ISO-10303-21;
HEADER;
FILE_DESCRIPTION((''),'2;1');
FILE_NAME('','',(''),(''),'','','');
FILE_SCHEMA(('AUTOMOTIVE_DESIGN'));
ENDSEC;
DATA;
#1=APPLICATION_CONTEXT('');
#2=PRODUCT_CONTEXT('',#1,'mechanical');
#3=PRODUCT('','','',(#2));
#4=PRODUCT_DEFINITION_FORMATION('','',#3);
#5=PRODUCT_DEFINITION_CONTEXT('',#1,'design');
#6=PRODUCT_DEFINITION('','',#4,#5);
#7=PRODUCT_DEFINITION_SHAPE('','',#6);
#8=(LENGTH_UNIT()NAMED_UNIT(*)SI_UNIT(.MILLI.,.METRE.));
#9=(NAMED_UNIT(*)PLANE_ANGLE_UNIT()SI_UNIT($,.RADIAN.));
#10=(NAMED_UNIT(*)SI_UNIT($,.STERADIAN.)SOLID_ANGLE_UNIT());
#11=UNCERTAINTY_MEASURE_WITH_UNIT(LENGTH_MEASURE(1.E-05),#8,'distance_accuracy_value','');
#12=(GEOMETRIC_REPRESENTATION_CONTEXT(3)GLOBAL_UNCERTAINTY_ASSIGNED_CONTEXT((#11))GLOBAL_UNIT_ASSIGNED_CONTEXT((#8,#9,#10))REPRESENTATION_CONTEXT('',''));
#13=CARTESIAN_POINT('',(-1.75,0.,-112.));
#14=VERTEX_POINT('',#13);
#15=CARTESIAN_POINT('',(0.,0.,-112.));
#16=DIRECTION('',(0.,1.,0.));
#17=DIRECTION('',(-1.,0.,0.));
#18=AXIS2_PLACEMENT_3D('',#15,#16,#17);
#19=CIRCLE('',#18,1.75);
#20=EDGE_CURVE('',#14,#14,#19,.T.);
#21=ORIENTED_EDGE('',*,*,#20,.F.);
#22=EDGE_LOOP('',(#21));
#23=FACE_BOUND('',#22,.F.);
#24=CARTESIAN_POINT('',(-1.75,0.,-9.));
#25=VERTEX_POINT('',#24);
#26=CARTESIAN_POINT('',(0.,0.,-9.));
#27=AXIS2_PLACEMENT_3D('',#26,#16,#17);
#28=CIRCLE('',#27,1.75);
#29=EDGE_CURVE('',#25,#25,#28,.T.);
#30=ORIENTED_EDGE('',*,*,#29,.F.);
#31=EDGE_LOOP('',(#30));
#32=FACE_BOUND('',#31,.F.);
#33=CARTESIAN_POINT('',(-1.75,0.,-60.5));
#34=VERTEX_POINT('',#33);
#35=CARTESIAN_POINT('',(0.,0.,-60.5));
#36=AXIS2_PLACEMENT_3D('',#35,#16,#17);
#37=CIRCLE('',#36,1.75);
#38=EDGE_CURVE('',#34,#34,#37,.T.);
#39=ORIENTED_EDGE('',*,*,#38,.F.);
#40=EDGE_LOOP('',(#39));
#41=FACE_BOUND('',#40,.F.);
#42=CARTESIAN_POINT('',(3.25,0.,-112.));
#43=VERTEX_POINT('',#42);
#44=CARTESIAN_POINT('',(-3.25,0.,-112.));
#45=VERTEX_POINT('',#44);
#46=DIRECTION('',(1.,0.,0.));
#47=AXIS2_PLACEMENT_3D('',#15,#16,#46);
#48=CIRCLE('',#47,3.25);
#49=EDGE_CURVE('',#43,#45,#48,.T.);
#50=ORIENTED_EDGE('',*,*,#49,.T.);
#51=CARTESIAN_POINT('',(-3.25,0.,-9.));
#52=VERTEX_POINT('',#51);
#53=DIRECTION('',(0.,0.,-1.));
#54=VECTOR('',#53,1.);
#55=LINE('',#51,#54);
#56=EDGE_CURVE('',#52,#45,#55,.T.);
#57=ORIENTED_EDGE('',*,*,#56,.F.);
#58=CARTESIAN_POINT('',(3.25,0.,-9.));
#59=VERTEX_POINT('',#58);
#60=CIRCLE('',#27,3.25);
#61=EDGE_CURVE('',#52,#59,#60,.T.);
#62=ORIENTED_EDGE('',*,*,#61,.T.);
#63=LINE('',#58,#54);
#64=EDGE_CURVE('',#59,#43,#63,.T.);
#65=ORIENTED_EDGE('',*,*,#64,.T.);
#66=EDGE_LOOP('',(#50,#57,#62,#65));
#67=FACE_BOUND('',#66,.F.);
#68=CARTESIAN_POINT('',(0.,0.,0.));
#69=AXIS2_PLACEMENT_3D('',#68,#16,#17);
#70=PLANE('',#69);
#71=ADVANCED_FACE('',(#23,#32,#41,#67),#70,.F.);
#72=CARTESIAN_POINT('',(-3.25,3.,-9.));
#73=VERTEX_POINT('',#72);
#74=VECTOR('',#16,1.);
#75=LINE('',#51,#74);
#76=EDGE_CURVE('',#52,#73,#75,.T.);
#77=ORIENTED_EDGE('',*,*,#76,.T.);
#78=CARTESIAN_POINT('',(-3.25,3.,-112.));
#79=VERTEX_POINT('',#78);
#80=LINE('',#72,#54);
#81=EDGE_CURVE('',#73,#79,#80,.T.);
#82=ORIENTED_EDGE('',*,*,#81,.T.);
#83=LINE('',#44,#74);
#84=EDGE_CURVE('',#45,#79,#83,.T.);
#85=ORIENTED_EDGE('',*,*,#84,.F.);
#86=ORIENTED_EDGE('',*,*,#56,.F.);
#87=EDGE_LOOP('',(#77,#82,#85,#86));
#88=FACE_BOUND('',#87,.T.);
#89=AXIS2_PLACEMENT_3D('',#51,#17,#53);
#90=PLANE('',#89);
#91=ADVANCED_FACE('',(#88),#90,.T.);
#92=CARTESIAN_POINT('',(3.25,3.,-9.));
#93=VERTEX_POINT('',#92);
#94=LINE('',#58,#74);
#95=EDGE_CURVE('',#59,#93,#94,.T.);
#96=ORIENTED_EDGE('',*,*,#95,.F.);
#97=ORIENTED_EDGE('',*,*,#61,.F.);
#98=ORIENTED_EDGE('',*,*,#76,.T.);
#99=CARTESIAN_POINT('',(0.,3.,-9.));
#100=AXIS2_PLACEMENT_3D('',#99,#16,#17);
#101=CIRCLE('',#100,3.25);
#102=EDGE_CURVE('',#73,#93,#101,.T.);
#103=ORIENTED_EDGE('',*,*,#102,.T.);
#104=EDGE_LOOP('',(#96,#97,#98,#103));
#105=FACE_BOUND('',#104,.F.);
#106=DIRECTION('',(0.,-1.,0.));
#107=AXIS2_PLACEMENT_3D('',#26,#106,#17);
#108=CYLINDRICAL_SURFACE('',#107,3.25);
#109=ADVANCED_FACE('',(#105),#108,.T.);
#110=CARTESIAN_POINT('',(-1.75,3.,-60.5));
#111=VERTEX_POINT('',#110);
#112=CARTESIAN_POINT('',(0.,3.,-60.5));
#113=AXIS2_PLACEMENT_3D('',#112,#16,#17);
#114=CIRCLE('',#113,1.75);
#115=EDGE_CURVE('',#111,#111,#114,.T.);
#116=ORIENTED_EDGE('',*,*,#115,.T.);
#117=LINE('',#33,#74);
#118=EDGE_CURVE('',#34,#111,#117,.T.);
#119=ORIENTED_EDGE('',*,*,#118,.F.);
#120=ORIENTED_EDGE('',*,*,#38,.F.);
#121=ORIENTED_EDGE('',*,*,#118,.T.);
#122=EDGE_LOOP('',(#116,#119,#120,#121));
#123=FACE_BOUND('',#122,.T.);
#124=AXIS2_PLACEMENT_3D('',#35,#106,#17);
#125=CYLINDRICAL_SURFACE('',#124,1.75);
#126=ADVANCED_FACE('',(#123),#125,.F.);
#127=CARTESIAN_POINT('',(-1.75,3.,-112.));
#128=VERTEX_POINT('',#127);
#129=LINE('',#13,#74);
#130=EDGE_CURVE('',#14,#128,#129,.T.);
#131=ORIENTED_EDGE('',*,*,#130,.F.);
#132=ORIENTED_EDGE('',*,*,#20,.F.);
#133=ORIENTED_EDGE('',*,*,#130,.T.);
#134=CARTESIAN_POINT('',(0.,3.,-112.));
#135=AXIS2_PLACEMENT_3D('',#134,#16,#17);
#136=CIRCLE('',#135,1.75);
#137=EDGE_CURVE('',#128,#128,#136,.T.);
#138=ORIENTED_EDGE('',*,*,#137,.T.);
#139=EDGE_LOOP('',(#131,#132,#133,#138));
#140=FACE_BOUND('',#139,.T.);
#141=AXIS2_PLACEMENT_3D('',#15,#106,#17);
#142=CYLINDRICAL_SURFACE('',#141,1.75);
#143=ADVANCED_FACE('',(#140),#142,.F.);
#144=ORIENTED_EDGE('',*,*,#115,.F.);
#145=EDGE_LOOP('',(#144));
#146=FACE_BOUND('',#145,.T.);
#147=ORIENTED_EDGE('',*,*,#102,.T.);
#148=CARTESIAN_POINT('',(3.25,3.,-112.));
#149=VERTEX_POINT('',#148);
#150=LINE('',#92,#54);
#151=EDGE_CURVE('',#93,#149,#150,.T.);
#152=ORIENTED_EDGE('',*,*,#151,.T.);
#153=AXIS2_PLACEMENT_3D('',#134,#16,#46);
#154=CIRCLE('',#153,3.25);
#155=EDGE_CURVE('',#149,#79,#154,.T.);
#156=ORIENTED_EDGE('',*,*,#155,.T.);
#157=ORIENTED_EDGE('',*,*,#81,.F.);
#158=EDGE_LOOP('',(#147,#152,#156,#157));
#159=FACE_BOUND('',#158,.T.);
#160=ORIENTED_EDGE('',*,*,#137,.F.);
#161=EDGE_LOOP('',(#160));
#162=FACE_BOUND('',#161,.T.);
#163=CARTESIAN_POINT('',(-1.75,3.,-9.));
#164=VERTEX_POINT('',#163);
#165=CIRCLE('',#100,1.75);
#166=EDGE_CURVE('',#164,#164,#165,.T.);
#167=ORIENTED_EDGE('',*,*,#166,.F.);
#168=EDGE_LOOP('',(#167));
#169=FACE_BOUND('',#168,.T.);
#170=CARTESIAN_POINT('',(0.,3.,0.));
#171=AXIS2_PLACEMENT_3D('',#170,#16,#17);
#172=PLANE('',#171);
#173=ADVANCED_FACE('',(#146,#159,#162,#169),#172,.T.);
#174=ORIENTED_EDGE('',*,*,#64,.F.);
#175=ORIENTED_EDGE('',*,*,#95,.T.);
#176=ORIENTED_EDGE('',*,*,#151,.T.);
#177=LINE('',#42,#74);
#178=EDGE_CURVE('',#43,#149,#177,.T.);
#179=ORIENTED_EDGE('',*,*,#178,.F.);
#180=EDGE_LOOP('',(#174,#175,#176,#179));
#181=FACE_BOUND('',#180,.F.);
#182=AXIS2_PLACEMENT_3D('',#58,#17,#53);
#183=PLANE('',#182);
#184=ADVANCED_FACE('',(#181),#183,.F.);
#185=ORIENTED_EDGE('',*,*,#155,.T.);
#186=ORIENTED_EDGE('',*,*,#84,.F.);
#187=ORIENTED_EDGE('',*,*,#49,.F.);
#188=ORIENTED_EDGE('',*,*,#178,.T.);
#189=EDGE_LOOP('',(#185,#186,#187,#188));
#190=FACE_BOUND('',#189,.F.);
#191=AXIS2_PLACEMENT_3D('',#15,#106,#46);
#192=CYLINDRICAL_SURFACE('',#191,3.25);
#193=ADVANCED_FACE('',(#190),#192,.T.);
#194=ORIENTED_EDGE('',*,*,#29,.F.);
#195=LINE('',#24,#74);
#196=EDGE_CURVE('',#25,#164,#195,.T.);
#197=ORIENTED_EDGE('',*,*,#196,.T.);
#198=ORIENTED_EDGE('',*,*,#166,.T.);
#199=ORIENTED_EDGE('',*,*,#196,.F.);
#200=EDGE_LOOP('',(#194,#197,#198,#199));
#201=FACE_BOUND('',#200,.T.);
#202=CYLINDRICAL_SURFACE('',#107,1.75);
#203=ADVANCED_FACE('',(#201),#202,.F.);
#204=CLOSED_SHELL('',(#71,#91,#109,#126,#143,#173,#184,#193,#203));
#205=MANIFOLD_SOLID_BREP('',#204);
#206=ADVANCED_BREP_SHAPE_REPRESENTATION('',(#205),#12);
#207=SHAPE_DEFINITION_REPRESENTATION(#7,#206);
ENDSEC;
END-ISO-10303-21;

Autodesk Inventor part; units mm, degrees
ref_plane "YZ Plane" through (0, 0, 0) normal (1, 0, 0) x (0, 1, 0)
ref_plane "XZ Plane" through (0, 0, 0) normal (0, 1, 0) x (-1, 0, 0)
ref_plane "XY Plane" through (0, 0, 0) normal (0, 0, 1) x (1, 0, 0)
sketch "草圖1" plane through (0, 0, 0) normal (0, 1, 0) x (-1, 0, 0)
  arc A0 (3.25, -9) -> (-3.25, -9) centre (0, -9) ccw
  circle A1 centre (0, -9) radius 1.75
  line L0 (0, -9) -> (0, -60.5) construction
  circle A2 centre (0, -60.5) radius 1.75
  line L1 (0, -60.5) -> (0, -112) construction
  circle A3 centre (0, -112) radius 1.75
  arc A4 (-3.25, -112) -> (3.25, -112) centre (0, -112) ccw
  line L2 (3.25, -9) -> (3.25, -112)
  line L3 (-3.25, -9) -> (-3.25, -112)
  dimension "d1" = 6.5
  dimension "d2" = 3.5
  dimension "d8" = 51.5
  dimension "d9" = 3.5
  dimension "d12" = 51.5
  dimension "d13" = 3.5
  dimension "d14" = 6.5
extrude "擠出3" add sketch "草圖1" along normal blind 3
properties part number "阿克曼長軸"
